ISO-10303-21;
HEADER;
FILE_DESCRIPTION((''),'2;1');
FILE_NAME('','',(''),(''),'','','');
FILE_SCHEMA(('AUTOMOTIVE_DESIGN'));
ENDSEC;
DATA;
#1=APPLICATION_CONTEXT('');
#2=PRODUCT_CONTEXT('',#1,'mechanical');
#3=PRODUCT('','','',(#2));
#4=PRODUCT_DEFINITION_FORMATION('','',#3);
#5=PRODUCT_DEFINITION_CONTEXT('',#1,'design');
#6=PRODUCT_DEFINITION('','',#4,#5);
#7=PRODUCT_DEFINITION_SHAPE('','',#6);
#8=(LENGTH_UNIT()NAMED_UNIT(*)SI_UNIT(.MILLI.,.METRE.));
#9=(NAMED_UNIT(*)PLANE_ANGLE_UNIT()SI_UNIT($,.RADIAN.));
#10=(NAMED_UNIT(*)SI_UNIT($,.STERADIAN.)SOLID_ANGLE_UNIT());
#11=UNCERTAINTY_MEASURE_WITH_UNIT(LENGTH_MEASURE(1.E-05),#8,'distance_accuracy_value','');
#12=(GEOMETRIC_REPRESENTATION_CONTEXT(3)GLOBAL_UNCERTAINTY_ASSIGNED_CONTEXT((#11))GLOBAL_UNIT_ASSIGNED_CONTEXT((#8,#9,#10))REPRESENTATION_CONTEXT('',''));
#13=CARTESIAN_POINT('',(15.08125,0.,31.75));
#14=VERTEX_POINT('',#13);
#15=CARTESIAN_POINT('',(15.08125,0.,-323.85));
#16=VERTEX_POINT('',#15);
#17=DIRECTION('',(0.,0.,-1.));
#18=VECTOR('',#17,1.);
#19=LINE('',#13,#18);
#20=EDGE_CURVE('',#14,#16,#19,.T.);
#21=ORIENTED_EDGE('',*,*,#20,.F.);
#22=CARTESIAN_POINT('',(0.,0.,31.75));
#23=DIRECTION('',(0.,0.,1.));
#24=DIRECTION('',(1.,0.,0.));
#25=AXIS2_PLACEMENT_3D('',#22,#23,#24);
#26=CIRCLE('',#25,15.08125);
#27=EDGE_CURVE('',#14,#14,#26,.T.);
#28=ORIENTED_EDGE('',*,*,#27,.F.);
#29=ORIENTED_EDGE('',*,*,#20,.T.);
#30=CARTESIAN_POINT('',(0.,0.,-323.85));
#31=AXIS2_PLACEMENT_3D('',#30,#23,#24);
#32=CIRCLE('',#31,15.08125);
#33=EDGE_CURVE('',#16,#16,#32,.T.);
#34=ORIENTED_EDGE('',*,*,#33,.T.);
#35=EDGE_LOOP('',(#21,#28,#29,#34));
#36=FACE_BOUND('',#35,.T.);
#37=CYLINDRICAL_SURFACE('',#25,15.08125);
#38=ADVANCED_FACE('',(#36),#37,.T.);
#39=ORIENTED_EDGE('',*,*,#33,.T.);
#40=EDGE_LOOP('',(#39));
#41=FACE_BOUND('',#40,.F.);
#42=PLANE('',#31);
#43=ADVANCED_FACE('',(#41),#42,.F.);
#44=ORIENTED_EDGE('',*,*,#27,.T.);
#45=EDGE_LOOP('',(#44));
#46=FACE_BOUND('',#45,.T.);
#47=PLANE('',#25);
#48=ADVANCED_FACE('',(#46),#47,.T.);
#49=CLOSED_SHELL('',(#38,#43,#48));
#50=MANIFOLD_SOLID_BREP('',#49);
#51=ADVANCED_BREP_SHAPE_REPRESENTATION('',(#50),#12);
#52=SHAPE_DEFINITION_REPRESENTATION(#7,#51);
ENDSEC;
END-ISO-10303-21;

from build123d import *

# Parameters (mm, degrees)
F1_R     = 15.08125
F2_DEPTH = 355.6


with BuildPart() as f2:
    # F1 (on offset) → F2 (new body)
    with BuildSketch(Plane.XY.offset(31.75)):
        Circle(F1_R)
    extrude(amount=-F2_DEPTH)


solid = f2.part
